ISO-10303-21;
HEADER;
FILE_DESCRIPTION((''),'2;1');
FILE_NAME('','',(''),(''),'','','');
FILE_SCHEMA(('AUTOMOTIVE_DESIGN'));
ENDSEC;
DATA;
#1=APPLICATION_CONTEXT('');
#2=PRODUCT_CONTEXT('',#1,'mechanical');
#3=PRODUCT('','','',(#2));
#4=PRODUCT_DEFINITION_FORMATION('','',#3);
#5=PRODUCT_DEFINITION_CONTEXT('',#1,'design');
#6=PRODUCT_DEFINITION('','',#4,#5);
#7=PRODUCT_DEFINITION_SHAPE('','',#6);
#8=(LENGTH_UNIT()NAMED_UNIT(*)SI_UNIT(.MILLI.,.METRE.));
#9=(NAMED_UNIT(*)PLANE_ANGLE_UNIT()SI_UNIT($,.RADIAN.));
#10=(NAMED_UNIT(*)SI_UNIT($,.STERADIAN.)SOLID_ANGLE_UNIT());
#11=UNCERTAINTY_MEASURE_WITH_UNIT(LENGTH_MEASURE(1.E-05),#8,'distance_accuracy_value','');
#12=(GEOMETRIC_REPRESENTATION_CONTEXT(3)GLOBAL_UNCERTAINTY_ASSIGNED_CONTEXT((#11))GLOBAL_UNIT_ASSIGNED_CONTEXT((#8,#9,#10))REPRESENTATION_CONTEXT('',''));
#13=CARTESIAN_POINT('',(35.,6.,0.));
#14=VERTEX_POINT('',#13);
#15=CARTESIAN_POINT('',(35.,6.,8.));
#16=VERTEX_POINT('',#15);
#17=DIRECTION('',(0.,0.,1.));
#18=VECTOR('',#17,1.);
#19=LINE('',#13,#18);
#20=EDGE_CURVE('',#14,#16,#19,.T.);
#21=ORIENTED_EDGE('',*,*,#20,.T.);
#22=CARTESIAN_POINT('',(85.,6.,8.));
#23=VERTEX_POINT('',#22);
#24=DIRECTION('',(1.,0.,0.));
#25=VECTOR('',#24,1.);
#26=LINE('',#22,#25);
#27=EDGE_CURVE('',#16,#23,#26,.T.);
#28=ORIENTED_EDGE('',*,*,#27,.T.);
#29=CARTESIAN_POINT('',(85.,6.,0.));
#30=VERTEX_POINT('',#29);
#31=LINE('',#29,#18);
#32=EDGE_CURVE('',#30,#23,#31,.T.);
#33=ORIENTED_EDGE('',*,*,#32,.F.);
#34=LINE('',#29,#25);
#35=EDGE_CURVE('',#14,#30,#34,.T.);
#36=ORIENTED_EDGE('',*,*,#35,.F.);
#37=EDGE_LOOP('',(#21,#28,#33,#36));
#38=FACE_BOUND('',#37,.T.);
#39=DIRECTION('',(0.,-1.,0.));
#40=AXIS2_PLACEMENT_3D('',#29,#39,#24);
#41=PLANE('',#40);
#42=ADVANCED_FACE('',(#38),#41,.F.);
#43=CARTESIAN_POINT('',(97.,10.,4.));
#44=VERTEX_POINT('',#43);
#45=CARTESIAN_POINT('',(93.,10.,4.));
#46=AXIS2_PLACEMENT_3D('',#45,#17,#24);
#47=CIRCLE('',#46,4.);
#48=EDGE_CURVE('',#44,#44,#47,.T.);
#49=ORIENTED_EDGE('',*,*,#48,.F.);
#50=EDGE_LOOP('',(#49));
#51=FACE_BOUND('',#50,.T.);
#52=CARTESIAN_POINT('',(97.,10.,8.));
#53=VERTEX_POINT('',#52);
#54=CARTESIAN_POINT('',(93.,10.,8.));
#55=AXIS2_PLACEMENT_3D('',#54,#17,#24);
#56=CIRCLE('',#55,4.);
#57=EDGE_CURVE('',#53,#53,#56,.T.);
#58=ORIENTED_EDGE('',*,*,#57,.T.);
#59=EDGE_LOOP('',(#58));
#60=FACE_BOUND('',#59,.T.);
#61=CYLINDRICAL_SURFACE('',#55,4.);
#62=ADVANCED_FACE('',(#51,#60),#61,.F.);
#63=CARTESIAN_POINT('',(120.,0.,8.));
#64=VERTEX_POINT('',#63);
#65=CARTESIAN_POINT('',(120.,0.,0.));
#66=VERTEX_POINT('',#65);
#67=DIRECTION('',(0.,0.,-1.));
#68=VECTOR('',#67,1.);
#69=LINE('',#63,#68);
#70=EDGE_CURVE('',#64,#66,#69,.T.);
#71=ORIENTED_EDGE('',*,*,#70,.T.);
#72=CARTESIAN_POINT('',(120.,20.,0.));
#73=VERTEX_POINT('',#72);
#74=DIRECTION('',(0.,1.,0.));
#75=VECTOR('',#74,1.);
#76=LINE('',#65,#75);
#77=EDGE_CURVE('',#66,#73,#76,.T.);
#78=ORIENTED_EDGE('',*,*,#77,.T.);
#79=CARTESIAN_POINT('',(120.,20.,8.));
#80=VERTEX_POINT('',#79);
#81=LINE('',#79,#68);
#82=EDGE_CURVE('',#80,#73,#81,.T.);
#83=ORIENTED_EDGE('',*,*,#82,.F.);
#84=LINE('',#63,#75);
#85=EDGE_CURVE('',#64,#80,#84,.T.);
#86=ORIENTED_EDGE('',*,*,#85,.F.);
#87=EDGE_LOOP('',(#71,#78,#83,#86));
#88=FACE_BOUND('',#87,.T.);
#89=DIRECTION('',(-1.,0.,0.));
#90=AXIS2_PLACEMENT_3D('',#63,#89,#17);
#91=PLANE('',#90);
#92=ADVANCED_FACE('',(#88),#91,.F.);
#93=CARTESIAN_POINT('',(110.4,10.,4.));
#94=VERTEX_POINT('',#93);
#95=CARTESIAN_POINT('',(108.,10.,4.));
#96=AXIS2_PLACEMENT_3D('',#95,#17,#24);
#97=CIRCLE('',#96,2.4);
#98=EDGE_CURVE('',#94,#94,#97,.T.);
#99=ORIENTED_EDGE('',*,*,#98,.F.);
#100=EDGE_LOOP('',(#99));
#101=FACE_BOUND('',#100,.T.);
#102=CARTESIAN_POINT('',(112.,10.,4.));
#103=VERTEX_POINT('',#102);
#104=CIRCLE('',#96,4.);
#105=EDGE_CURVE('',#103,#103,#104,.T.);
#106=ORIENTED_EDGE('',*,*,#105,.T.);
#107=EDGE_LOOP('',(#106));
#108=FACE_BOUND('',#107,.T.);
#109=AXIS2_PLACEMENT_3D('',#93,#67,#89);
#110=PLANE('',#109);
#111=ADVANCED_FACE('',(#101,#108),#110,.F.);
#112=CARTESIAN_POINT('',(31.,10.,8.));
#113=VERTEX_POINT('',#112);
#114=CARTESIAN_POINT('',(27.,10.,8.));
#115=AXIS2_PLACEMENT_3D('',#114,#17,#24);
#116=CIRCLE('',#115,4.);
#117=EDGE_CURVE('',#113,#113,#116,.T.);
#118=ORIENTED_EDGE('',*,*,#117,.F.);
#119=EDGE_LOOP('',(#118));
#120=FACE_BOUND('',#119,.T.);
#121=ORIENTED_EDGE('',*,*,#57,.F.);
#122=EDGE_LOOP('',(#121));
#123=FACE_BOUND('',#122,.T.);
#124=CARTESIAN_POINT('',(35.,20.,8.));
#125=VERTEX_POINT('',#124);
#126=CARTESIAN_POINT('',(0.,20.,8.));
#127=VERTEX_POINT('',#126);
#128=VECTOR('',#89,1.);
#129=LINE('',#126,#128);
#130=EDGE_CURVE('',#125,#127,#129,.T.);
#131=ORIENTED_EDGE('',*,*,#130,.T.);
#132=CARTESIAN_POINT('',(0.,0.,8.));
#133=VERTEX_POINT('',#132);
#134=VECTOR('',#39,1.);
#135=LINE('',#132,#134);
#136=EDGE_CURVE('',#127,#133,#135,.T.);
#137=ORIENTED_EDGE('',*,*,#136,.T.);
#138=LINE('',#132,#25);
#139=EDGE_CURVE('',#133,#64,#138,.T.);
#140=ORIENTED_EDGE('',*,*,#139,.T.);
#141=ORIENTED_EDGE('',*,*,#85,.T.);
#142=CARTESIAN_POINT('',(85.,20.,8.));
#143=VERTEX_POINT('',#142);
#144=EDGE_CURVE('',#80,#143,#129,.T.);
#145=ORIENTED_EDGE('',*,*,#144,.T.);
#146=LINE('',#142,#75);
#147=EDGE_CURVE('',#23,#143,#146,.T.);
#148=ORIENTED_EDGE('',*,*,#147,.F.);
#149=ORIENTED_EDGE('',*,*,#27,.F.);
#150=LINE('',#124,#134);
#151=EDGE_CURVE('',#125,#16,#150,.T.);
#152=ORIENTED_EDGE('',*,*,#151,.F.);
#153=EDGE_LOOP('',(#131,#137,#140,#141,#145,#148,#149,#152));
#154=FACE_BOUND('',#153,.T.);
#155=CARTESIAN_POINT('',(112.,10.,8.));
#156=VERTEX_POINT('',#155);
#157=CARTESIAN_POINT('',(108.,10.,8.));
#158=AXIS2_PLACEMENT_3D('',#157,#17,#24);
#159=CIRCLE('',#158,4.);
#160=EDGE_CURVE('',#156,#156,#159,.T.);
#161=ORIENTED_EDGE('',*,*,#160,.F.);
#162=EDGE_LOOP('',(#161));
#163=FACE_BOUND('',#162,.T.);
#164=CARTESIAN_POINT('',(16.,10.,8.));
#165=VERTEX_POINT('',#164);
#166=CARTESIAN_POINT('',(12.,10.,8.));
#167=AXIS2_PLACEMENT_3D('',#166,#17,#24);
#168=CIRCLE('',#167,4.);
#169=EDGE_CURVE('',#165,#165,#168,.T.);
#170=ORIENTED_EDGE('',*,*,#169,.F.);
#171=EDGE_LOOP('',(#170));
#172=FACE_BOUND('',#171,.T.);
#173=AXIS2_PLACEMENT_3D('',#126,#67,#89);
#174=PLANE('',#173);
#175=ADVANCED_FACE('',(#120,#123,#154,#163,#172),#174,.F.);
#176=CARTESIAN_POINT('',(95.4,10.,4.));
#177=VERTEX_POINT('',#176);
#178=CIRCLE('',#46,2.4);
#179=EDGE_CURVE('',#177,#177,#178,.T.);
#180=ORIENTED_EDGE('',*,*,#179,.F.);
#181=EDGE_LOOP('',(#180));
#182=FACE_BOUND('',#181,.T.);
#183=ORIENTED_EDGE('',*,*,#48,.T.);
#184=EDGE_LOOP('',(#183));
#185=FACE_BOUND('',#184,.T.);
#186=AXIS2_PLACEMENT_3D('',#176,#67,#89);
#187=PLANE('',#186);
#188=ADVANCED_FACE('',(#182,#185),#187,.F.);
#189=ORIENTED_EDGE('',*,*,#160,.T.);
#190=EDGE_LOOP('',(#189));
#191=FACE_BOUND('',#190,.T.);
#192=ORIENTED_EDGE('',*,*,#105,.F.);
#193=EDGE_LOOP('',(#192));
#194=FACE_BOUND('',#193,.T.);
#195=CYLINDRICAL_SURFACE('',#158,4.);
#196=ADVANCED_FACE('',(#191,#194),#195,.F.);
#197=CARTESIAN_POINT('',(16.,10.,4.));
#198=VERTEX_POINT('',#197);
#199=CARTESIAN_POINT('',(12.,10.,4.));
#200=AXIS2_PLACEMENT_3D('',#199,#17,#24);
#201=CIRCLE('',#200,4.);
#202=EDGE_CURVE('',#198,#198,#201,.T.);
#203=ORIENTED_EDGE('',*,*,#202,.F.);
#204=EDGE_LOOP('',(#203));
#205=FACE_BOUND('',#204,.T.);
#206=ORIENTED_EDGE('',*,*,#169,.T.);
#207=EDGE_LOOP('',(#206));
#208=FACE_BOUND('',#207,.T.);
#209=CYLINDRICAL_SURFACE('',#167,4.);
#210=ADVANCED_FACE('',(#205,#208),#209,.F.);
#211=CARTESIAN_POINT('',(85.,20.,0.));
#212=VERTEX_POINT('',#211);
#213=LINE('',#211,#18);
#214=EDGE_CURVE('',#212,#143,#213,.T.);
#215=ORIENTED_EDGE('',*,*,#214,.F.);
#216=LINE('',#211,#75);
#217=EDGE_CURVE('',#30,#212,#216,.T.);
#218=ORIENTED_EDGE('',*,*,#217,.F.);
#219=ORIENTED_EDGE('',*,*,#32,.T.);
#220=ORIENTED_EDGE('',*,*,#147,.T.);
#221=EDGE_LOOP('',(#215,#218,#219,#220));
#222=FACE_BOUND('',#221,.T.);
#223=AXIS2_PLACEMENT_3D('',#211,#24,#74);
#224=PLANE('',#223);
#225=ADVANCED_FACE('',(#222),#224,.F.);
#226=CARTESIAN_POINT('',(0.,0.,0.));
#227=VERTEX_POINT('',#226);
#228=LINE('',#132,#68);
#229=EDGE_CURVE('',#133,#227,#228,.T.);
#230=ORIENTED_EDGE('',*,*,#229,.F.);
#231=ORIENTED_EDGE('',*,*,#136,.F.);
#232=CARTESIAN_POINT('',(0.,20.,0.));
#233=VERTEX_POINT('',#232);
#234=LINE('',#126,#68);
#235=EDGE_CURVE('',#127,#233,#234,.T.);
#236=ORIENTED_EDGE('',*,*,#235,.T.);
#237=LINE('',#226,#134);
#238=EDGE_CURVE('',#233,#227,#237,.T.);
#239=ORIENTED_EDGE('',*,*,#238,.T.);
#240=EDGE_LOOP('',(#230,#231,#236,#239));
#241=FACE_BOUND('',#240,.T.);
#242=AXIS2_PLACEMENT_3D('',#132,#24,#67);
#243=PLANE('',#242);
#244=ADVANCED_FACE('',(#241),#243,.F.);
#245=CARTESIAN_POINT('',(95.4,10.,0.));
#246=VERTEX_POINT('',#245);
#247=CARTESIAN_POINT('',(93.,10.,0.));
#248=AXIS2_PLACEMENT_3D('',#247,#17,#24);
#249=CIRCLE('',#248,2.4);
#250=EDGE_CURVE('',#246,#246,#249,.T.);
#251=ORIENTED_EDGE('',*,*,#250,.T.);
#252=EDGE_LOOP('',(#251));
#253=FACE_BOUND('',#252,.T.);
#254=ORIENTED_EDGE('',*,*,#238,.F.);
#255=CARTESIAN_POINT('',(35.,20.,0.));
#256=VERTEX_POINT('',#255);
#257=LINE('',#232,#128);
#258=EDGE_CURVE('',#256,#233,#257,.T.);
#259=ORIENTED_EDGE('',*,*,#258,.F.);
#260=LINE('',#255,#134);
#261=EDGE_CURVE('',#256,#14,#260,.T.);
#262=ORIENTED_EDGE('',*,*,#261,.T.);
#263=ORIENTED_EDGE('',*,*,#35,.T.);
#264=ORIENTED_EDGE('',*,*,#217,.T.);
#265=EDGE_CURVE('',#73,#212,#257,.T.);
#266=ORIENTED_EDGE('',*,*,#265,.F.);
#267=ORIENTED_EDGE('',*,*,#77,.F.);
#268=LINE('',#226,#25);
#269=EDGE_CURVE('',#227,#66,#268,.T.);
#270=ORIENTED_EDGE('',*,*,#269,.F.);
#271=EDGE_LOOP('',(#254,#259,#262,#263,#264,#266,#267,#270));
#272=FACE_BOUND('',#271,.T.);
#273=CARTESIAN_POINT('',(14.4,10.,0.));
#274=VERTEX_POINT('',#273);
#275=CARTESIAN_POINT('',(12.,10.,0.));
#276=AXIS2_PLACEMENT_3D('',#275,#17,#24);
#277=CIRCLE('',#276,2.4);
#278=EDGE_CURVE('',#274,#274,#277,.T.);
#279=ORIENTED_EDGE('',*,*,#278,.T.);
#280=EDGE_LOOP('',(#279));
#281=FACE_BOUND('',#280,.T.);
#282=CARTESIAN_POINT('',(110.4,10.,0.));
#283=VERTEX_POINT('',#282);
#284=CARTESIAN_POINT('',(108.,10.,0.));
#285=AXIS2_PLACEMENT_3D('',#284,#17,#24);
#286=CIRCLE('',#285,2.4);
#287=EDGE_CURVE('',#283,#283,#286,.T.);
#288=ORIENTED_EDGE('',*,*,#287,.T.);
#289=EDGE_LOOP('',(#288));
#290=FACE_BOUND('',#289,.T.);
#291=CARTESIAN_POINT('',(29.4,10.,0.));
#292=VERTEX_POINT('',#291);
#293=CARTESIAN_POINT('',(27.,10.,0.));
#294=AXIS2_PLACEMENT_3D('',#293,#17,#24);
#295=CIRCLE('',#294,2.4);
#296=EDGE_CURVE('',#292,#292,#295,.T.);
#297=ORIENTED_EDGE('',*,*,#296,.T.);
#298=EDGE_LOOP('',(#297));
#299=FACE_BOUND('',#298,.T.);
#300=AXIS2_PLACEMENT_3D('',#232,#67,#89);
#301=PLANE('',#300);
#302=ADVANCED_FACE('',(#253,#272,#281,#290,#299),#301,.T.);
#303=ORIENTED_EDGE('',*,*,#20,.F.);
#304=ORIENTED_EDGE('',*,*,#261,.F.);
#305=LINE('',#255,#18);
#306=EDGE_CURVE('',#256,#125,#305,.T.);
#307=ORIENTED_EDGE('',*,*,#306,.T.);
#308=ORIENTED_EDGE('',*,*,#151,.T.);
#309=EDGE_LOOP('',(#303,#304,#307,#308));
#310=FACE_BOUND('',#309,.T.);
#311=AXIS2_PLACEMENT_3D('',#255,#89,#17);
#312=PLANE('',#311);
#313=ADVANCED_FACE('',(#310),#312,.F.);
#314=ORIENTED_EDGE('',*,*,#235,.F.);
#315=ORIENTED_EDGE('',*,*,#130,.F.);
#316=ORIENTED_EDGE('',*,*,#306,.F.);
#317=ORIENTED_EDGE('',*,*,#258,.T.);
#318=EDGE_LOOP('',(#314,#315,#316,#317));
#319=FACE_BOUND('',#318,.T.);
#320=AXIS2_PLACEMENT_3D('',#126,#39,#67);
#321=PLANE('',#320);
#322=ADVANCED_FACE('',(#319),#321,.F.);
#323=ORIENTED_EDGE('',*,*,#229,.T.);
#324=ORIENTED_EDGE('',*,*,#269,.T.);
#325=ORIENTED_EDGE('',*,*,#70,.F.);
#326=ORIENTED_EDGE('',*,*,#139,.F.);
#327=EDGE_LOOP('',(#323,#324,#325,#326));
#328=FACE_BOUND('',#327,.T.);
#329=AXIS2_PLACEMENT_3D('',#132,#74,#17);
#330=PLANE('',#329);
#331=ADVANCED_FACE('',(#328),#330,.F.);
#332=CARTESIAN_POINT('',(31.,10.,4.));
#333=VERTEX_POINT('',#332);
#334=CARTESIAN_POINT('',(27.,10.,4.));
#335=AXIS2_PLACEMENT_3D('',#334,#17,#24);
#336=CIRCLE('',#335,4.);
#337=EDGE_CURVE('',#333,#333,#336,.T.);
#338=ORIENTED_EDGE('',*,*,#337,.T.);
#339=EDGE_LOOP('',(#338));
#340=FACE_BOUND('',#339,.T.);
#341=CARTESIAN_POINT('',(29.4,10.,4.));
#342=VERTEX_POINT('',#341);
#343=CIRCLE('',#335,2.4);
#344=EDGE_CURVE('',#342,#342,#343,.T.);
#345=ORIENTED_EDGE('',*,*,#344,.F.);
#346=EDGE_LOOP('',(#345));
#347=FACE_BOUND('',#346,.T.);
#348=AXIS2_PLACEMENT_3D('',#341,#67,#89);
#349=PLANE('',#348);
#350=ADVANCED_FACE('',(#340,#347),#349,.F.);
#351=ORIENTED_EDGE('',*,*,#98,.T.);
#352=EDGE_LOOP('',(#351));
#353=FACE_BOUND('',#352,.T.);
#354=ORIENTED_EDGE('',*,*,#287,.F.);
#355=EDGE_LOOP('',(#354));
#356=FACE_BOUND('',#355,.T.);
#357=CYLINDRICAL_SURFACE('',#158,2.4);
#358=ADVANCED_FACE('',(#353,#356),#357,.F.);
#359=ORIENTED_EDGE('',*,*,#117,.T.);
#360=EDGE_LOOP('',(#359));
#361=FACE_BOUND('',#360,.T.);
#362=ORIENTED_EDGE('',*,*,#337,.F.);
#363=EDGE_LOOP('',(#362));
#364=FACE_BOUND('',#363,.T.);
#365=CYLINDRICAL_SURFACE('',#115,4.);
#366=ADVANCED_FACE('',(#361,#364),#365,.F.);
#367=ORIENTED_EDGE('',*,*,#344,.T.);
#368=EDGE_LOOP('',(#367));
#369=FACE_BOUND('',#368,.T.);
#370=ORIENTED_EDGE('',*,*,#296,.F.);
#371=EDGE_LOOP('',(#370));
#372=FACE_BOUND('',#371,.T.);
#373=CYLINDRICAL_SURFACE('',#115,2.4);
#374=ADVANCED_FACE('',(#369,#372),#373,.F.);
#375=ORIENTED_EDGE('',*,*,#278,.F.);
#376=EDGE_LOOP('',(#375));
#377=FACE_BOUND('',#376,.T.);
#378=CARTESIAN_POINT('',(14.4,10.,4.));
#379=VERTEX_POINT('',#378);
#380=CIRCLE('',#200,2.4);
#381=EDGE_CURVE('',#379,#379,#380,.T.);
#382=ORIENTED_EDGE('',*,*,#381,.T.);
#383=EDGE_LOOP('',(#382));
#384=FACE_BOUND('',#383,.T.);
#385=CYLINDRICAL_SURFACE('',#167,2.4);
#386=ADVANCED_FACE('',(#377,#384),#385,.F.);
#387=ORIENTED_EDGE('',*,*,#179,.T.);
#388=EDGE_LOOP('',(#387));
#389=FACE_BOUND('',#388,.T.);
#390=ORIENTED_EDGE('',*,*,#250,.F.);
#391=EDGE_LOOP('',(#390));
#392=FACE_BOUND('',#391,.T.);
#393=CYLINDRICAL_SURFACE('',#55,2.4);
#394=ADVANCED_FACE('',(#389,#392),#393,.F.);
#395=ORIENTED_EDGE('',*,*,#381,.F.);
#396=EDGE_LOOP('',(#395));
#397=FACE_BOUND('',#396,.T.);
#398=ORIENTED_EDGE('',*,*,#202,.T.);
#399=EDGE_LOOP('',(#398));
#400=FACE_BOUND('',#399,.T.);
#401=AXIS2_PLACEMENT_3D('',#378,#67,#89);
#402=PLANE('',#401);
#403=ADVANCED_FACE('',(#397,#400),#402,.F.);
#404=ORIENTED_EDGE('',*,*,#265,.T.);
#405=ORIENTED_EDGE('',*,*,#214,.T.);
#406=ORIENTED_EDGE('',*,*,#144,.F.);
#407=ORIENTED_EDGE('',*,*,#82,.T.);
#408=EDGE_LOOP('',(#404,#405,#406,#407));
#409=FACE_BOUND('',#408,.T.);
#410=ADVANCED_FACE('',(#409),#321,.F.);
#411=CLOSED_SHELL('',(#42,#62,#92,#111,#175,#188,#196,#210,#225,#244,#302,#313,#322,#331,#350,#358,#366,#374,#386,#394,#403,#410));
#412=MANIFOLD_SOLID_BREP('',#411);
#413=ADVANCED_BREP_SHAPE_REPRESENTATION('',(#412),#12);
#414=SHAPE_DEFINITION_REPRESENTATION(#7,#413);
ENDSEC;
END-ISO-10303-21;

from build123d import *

# Parameters (mm, degrees)
SKETCH_1_W                   = 120
SKETCH_1_H                   = 20
EXTRUDE_1_DEPTH              = 8
SKETCH_2_W                   = 50
SKETCH_2_H                   = 14
CUT_EXTRUDE_1_DEPTH          = 122.918005233
HOLE_WIZARD_M4_1_D           = 4.8
HOLE_WIZARD_M4_1_CBORE_D     = 8
HOLE_WIZARD_M4_1_CBORE_DEPTH = 4


with BuildPart() as part:
    # 草图1 → 凸台-拉伸1 (new body)
    with BuildSketch(Plane.XY):
        with Locations((60, 10)):
            Rectangle(SKETCH_1_W, SKETCH_1_H)
    extrude(amount=EXTRUDE_1_DEPTH)

    # 草图2 → 切除-拉伸1 (cut, through all)
    with BuildSketch(Plane.XY.offset(8)):
        with Locations((60, 13)):
            Rectangle(SKETCH_2_W, SKETCH_2_H)
    extrude(amount=-CUT_EXTRUDE_1_DEPTH, mode=Mode.SUBTRACT)

    # M4 六角凹头螺钉的柱形沉头孔1 (through all)
    with Locations(Plane.XY.offset(8)):
        with Locations((12, 10), (27, 10), (93, 10), (108, 10)):
            CounterBoreHole(HOLE_WIZARD_M4_1_D / 2, HOLE_WIZARD_M4_1_CBORE_D / 2, HOLE_WIZARD_M4_1_CBORE_DEPTH)


solid = part.part
